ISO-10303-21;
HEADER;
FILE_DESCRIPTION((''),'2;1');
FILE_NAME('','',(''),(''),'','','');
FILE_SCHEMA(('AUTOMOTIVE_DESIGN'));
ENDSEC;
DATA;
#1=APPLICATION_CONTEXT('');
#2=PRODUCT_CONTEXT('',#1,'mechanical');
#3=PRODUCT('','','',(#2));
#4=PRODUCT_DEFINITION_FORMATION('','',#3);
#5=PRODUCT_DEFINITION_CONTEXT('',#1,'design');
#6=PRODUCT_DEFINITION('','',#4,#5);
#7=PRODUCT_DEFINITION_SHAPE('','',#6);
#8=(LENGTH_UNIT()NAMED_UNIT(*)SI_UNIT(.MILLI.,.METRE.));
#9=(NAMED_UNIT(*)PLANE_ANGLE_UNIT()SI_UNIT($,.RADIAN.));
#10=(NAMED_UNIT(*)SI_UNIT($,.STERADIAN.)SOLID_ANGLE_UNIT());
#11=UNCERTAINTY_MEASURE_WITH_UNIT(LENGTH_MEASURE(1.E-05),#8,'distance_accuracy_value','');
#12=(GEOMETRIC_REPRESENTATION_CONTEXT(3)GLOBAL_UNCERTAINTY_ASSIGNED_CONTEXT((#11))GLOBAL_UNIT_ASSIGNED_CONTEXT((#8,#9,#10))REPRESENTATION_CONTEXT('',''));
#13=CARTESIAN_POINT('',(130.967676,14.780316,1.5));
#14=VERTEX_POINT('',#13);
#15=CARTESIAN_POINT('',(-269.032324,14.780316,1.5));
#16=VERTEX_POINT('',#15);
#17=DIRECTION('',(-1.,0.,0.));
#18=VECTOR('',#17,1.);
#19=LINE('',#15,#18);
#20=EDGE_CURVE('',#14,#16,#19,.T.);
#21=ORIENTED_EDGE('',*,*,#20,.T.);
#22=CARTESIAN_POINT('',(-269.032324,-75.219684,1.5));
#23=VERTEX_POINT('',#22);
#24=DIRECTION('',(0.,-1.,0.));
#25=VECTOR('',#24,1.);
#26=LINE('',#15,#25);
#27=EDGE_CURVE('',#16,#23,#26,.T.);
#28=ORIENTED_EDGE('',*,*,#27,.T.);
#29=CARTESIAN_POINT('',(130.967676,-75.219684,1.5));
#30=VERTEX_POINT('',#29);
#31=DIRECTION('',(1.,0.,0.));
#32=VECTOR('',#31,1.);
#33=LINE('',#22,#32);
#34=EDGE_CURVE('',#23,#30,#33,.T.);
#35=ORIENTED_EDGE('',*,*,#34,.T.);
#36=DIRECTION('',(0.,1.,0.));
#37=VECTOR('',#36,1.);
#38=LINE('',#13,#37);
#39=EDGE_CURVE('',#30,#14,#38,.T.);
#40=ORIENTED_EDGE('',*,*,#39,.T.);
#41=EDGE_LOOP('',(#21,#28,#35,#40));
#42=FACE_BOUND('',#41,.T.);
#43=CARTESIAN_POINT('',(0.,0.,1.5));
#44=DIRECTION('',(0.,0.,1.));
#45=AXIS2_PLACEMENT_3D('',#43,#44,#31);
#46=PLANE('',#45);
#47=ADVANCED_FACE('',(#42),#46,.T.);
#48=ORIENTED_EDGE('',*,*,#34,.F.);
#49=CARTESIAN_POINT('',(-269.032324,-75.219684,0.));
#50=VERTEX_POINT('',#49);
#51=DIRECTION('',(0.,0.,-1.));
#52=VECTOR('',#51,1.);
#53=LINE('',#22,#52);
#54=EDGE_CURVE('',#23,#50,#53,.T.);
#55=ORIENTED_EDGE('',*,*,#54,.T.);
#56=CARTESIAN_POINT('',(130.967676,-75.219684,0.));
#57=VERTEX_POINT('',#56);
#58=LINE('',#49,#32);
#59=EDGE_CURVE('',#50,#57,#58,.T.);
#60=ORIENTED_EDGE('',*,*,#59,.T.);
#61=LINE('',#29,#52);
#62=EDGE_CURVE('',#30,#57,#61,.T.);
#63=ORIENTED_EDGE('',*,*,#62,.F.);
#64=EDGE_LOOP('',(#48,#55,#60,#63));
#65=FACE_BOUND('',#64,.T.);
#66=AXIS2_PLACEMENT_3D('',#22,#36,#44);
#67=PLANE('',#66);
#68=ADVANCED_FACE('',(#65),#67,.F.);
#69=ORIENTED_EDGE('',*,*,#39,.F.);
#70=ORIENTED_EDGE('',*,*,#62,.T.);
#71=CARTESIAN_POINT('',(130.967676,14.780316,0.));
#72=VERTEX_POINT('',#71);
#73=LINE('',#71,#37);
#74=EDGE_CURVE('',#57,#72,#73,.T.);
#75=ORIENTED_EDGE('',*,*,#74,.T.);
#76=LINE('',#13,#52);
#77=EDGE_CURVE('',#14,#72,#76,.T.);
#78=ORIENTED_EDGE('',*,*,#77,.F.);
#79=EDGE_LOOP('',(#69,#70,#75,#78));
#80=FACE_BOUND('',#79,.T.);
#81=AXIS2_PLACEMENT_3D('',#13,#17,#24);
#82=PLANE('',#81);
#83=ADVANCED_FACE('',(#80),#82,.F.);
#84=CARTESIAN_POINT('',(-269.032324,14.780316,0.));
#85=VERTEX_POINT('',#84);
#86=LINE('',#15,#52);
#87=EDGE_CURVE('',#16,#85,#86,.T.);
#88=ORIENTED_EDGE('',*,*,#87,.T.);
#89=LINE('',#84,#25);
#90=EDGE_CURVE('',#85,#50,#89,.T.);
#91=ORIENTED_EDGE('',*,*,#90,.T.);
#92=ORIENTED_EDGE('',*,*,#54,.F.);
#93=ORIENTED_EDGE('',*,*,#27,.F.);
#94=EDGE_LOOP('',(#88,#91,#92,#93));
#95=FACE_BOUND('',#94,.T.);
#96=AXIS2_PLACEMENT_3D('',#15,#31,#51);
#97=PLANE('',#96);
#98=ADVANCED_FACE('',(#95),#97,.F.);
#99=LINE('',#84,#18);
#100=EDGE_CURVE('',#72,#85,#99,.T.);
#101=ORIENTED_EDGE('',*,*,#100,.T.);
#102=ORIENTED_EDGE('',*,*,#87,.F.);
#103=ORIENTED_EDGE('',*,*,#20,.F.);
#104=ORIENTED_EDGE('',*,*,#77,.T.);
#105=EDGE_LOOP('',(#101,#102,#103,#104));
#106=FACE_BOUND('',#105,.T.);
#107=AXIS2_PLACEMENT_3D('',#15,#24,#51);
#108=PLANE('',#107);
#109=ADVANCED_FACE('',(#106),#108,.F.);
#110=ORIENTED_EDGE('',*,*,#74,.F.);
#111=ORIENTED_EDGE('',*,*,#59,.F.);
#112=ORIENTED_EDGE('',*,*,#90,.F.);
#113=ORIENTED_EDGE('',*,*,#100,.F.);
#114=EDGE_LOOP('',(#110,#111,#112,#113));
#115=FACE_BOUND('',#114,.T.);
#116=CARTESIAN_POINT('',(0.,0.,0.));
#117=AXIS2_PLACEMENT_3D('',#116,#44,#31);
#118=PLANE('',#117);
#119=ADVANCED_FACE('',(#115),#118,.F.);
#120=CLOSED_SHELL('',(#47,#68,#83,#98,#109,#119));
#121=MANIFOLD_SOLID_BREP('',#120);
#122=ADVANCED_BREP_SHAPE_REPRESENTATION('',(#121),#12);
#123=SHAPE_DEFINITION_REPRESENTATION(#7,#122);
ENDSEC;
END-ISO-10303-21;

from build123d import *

# Parameters (mm, degrees)
SKETCH_1_W      = 400
SKETCH_1_H      = 90
EXTRUDE_1_DEPTH = 1.5


with BuildPart() as part:
    # 草圖1 → 填料-伸長1 (new body)
    with BuildSketch(Plane.XY):
        with Locations((-69.032324472, -30.219683656)):
            Rectangle(SKETCH_1_W, SKETCH_1_H)
    extrude(amount=EXTRUDE_1_DEPTH)


solid = part.part
